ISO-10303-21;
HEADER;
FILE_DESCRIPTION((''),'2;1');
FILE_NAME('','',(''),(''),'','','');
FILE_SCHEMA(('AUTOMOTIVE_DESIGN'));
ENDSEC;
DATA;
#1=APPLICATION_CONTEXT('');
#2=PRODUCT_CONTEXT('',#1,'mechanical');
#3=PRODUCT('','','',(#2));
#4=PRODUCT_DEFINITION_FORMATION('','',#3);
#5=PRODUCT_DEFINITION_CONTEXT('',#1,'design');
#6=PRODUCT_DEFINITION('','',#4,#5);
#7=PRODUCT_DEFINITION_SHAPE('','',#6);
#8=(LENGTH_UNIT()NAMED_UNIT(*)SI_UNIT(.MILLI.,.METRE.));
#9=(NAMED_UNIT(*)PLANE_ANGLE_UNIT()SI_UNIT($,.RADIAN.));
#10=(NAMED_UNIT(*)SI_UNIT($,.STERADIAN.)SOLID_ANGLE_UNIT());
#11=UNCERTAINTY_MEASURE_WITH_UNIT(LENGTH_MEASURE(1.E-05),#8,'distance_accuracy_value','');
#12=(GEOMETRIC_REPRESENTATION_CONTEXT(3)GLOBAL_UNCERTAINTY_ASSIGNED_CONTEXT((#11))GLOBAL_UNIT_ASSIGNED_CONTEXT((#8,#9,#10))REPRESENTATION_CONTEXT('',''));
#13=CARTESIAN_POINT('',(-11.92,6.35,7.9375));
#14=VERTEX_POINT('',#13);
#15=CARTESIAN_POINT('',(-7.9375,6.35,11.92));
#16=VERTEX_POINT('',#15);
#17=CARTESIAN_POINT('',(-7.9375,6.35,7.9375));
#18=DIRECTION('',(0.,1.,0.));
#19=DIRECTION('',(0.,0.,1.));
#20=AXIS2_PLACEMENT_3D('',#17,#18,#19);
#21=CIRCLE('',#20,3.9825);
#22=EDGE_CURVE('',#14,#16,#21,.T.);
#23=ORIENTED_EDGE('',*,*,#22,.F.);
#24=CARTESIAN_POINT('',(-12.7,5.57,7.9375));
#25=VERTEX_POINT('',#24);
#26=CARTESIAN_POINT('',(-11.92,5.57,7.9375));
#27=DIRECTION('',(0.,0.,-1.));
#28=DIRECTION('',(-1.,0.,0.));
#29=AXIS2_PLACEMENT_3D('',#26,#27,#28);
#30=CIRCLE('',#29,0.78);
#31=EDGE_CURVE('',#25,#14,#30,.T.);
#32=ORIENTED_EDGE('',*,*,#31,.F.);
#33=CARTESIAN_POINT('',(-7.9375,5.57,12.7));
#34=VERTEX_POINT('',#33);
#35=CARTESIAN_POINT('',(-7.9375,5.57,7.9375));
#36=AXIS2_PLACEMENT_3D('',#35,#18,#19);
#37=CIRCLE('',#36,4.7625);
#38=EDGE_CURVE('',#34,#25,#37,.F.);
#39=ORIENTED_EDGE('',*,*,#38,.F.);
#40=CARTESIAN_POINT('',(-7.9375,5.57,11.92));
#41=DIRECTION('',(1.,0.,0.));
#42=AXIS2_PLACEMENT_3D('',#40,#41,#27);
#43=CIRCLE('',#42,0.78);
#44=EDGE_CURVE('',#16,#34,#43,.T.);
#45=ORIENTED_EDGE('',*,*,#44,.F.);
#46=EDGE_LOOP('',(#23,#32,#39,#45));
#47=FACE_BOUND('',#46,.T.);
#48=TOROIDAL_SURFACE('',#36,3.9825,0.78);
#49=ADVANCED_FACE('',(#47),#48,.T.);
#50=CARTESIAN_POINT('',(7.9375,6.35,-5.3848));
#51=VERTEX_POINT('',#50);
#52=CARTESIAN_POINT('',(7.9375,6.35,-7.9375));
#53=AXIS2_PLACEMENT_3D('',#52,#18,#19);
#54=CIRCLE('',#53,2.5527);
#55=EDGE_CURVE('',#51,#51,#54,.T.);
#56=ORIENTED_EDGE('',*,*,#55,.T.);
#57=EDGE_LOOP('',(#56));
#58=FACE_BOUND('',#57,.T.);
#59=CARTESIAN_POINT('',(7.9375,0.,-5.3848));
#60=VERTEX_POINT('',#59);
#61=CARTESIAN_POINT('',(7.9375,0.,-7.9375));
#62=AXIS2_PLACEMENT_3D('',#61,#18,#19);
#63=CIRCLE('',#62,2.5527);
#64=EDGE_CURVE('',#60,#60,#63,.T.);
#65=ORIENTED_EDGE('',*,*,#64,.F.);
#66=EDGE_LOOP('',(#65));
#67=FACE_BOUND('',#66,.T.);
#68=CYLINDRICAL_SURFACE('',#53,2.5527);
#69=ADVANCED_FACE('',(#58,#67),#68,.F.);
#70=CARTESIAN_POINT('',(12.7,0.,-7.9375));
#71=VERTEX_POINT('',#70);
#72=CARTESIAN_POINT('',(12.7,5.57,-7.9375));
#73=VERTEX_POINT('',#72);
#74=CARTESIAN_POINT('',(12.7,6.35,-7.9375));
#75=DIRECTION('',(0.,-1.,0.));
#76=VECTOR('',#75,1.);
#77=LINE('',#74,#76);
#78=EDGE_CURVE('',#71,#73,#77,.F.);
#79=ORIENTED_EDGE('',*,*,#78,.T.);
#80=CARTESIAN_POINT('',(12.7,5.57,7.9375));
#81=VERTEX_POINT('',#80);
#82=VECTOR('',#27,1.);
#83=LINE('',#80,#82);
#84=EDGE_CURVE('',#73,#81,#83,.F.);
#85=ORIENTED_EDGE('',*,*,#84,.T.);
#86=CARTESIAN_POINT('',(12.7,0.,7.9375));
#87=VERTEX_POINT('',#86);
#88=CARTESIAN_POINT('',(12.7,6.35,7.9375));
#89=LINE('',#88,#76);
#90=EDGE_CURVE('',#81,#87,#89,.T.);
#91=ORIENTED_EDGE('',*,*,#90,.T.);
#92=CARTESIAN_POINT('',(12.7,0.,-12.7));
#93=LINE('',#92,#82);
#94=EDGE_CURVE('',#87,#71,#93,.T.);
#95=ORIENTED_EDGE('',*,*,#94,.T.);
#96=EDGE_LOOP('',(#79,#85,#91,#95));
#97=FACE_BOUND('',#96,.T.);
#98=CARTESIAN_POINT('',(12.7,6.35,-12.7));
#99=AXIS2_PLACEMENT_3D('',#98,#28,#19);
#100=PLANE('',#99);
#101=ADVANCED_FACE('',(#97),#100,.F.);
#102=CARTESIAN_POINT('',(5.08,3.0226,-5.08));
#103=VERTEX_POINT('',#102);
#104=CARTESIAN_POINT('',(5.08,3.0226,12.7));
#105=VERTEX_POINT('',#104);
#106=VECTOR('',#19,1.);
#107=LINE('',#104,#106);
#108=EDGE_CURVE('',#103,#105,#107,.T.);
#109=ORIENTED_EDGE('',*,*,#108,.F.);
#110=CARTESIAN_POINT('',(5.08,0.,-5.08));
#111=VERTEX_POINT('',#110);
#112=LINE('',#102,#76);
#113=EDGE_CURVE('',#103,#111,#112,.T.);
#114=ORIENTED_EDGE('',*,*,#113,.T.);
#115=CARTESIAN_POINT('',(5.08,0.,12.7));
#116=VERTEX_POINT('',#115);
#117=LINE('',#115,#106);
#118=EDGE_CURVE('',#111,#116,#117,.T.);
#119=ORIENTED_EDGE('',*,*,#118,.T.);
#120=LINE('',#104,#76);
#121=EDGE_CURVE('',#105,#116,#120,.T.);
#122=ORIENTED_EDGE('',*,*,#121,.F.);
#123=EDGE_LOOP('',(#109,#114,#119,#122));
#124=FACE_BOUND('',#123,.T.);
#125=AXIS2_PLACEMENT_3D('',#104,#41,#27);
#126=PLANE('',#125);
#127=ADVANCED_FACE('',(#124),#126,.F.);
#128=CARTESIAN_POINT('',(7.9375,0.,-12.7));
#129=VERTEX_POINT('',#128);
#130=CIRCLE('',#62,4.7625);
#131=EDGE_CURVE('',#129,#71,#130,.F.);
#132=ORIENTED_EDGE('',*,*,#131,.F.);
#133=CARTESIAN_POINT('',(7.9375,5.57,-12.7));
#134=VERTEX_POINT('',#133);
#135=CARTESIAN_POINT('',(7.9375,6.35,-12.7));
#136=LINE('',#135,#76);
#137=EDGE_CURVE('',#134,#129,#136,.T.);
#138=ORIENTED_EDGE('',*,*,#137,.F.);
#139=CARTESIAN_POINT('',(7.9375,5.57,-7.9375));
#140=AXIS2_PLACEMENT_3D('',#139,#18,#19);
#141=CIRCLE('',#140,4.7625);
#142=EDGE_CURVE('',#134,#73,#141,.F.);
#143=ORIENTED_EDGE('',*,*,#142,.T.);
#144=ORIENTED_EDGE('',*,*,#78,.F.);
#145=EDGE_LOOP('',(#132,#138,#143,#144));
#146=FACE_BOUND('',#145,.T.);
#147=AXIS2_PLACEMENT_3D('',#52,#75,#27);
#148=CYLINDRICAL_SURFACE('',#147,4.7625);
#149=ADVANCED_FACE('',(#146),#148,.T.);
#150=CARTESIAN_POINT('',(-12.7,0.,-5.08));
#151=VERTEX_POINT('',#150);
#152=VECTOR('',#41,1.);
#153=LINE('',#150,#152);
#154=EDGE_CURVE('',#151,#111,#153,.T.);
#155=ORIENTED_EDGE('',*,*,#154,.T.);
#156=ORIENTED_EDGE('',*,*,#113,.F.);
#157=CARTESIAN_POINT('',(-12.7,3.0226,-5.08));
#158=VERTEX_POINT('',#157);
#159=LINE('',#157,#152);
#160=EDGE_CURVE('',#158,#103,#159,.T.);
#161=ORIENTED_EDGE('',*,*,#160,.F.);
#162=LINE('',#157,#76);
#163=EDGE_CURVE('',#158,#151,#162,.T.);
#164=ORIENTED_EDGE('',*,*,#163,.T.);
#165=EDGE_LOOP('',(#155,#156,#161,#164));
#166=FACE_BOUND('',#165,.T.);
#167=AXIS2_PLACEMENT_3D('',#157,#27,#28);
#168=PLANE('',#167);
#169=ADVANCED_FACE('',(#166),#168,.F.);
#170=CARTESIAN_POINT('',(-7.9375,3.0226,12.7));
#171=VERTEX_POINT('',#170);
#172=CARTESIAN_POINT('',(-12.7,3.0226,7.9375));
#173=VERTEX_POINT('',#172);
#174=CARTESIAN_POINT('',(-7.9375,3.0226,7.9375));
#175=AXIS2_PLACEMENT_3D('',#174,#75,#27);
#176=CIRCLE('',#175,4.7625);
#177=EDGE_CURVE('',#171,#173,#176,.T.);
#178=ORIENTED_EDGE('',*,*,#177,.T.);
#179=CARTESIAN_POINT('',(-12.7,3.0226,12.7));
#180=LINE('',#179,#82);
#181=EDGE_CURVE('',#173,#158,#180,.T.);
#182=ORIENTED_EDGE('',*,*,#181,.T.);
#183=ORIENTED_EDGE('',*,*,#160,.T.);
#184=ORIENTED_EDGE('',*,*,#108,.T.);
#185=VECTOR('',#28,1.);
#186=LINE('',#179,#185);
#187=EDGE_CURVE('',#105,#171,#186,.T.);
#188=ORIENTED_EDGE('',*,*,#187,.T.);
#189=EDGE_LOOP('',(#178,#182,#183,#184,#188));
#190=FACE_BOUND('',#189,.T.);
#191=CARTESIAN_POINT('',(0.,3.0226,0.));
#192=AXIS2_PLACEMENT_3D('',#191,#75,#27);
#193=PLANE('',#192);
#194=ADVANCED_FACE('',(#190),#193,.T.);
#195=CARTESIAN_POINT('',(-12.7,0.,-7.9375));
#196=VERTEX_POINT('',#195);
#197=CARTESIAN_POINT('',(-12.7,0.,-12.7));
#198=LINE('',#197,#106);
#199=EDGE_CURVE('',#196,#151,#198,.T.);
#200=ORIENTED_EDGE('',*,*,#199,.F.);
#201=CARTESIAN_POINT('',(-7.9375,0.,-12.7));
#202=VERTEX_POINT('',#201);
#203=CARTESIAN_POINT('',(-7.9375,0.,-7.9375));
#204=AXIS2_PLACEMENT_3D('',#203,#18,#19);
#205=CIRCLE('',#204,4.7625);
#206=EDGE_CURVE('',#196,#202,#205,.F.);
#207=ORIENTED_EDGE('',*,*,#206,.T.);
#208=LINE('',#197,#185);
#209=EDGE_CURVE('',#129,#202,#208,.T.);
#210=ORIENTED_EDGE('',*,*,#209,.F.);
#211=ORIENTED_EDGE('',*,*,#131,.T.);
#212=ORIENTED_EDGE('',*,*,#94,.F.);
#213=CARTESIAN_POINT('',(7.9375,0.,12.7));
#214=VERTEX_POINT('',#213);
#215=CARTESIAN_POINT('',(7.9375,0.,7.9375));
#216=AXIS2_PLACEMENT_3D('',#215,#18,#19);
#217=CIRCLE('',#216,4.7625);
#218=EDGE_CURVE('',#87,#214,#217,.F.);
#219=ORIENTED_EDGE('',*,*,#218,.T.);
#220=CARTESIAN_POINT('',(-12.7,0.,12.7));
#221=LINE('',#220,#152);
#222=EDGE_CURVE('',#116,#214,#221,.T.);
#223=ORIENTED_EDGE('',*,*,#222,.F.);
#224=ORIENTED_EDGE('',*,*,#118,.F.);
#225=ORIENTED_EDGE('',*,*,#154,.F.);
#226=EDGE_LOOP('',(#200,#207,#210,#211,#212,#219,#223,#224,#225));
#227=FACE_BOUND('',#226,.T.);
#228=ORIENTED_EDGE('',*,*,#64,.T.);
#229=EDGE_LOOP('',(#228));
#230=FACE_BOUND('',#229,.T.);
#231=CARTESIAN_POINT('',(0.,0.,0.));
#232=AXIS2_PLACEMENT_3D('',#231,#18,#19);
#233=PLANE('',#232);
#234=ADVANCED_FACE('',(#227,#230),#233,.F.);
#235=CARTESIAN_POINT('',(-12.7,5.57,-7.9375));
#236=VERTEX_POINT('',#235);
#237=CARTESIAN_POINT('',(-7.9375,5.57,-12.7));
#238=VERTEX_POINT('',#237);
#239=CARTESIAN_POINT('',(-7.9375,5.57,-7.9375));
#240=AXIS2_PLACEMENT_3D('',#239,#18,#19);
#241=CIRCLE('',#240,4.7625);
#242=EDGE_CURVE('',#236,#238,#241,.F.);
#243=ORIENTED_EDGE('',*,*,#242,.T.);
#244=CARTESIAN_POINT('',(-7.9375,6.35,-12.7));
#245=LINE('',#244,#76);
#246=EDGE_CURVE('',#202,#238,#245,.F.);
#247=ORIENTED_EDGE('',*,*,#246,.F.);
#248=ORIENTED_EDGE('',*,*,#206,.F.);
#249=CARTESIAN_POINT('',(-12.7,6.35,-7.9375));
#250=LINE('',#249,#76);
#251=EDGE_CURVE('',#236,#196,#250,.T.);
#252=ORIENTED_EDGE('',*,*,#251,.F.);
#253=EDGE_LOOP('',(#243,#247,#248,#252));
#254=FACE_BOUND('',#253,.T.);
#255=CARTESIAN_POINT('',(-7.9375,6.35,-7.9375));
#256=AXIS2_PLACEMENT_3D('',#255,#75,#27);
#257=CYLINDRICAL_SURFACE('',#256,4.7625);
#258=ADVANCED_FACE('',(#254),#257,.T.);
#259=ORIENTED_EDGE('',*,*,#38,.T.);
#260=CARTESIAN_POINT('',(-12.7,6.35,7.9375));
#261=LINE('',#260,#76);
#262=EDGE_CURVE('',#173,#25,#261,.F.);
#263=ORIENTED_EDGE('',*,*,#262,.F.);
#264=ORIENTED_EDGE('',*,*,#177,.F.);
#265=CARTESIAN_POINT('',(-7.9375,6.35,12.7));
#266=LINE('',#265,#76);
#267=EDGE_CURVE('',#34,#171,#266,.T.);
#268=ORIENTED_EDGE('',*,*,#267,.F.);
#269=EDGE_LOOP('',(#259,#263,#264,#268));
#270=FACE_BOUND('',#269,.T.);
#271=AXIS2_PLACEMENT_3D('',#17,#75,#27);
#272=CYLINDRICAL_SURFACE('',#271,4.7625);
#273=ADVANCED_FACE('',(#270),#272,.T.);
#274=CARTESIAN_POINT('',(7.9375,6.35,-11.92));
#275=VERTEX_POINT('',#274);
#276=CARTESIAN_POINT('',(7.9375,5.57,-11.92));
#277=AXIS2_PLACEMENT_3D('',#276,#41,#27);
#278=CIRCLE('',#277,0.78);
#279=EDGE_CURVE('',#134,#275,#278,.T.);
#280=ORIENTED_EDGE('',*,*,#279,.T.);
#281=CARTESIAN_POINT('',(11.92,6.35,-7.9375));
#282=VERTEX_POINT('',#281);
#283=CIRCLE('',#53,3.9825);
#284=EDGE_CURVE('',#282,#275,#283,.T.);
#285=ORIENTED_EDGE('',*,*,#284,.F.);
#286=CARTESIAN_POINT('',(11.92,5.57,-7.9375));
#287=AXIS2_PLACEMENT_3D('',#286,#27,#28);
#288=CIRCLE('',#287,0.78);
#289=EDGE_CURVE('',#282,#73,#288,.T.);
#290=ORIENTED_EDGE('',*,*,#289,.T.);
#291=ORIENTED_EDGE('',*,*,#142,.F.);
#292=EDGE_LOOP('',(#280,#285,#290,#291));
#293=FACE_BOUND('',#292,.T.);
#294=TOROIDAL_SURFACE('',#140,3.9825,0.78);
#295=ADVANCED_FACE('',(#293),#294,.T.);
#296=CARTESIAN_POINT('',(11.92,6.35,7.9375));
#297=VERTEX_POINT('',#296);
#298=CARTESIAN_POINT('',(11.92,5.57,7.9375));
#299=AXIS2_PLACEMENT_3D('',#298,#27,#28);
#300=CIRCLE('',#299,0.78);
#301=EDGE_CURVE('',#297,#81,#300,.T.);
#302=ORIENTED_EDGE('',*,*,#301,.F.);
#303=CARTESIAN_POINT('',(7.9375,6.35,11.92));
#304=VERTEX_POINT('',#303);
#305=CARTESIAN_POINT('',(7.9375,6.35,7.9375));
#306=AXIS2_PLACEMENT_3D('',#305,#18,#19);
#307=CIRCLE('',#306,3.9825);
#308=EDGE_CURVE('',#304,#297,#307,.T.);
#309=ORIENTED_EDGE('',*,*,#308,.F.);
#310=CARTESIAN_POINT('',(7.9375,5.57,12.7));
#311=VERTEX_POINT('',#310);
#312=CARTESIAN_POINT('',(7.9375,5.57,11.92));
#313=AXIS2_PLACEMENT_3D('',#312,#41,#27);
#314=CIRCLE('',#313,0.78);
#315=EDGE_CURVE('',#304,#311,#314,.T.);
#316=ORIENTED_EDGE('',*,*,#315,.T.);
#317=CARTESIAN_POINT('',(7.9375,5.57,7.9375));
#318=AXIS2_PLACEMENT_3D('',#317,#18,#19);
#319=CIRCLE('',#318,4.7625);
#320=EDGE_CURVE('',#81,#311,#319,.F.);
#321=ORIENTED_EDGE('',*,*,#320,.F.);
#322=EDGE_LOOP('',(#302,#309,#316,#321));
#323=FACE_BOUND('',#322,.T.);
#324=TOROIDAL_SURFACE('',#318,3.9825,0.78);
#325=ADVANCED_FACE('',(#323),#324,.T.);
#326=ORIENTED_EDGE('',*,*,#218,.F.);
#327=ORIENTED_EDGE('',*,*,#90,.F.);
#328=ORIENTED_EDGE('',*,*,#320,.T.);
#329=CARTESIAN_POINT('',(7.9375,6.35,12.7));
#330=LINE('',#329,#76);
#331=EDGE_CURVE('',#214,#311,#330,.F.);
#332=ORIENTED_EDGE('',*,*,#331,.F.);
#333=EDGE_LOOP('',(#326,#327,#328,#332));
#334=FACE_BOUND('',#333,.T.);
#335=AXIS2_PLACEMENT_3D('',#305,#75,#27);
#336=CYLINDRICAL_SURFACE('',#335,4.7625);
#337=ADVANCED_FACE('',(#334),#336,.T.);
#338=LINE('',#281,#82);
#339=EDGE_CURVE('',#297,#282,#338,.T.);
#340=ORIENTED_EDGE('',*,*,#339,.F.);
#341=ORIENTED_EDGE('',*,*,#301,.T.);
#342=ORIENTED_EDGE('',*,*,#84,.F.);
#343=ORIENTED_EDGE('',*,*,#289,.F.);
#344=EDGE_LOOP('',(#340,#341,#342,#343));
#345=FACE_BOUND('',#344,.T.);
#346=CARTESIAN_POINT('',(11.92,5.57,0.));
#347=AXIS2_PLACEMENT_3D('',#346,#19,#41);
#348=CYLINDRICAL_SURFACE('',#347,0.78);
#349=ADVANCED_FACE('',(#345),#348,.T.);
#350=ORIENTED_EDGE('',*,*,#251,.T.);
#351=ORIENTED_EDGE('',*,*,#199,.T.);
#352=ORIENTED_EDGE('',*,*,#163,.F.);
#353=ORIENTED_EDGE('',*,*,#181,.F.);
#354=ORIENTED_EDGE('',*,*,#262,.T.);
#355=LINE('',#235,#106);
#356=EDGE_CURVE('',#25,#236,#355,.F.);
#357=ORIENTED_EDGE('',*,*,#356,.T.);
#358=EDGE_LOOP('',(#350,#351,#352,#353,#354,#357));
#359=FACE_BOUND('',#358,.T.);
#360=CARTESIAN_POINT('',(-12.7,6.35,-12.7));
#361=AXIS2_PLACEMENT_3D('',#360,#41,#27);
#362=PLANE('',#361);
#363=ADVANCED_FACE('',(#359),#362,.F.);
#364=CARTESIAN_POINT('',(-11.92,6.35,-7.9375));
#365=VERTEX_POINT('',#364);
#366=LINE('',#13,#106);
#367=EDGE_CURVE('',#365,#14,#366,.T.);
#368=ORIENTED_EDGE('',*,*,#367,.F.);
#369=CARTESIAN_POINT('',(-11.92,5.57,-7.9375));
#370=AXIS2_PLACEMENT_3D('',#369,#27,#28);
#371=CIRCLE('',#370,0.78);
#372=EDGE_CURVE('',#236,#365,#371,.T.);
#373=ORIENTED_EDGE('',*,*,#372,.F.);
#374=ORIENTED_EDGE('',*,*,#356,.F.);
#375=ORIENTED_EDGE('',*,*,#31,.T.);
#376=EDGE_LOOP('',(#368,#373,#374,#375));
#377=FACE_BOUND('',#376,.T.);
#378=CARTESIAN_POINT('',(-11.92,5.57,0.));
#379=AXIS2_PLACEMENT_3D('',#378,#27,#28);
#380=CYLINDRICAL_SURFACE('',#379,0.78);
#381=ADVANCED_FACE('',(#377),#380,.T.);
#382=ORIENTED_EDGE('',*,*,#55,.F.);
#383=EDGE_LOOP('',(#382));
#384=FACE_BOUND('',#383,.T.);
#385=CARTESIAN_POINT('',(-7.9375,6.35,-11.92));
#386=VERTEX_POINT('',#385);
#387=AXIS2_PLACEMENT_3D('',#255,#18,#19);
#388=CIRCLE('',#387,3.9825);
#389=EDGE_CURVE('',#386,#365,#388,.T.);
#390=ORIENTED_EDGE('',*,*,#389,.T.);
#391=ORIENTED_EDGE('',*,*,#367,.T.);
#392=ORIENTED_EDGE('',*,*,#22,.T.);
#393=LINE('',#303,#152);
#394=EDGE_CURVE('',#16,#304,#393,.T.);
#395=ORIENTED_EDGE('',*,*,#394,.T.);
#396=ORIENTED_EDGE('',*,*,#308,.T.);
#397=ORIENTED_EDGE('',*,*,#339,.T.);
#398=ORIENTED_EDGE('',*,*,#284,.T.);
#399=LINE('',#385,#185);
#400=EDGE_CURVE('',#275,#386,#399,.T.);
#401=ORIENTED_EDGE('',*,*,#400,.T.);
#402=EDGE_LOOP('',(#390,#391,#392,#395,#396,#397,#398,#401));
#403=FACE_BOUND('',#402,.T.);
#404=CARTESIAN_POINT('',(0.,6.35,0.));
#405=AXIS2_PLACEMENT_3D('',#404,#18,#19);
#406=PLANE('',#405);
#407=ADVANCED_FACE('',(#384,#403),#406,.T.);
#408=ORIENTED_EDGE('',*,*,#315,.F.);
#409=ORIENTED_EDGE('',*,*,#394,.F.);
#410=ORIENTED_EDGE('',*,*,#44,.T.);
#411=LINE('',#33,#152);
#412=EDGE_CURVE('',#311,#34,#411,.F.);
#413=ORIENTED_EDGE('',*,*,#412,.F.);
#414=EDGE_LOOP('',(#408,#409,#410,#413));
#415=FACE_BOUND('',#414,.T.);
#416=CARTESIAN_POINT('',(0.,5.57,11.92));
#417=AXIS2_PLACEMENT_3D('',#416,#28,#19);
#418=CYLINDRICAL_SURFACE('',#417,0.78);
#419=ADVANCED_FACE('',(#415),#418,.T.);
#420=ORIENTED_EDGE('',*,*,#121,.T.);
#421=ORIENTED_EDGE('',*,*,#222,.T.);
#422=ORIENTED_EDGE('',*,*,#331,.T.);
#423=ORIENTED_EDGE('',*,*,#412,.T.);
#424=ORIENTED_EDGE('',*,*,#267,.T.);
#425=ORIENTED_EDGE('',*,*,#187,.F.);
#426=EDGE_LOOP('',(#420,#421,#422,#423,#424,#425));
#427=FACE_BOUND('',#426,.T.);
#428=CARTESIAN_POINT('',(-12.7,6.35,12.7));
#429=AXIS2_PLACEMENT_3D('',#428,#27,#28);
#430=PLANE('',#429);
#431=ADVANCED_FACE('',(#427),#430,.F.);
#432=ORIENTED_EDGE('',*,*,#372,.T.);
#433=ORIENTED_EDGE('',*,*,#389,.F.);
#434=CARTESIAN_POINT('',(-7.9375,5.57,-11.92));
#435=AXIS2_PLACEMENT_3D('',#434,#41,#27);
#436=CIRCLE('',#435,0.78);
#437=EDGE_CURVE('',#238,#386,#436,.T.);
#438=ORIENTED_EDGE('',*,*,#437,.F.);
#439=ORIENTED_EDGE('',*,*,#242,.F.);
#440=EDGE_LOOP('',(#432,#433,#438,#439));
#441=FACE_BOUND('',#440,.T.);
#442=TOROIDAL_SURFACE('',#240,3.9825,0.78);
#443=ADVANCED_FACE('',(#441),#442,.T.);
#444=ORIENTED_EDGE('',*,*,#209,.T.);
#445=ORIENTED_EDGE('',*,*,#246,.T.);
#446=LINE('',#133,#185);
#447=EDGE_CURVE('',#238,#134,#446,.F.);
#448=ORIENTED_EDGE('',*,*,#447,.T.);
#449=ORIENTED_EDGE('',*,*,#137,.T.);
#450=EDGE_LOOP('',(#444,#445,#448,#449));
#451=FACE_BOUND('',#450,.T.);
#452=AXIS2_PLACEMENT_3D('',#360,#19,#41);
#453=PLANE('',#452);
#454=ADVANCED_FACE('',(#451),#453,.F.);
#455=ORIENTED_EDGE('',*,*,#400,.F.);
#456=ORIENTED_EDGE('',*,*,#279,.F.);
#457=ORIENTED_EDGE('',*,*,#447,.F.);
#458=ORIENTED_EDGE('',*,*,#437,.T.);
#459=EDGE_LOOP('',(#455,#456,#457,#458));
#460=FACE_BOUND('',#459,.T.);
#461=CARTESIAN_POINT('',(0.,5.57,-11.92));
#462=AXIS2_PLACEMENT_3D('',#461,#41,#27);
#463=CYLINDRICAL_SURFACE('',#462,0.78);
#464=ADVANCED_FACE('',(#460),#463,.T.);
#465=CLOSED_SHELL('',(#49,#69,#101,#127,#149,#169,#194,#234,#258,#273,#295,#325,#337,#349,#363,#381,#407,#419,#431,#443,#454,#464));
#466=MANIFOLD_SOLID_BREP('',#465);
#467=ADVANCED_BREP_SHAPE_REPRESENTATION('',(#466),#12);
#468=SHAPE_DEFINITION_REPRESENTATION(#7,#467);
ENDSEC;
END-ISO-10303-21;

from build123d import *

# Parameters (mm, degrees)
SKETCH1_W                  = 25.4
SKETCH1_H                  = 25.4
BOSS_EXTRUDE1_DEPTH        = 6.35
SKETCH2_W                  = 17.78
SKETCH2_H                  = 17.78
CUT_EXTRUDE1_DEPTH         = 3.0226
FILLET1_R                  = 4.7625
F_10_CLEARANCE_HOLE1_D     = 5.1054
F_10_CLEARANCE_HOLE1_DEPTH = 10.668
F_10_CLEARANCE_HOLE1_TIP   = 1.533816902
FILLET2_R                  = 0.78


with BuildPart() as part:
    # Sketch1 → Boss-Extrude1 (new body)
    with BuildSketch(Plane(origin=(0, 0, 0), x_dir=(1, 0, 0), z_dir=(0, 1, 0))):
        Rectangle(SKETCH1_W, SKETCH1_H)
    extrude(amount=BOSS_EXTRUDE1_DEPTH)

    # Sketch2 → Cut-Extrude1 (cut)
    with BuildSketch(Plane.XZ):
        with Locations((-3.81, 3.81)):
            Rectangle(SKETCH2_W, SKETCH2_H)
    extrude(amount=-CUT_EXTRUDE1_DEPTH, mode=Mode.SUBTRACT)

    # Fillet1
    fillet1_edges = [part.edges().sort_by_distance(p)[0] for p in [
        (12.7, 3.175, 12.7),
        (-12.7, 4.6863, 12.7),
        (-12.7, 3.175, -12.7),
        (12.7, 3.175, -12.7),
    ]]
    fillet(fillet1_edges, radius=FILLET1_R)

    # #10 Clearance Hole1
    with Locations(Plane(origin=(0, 6.35, 0), x_dir=(1, 0, 0), z_dir=(0, 1, 0))):
        with Locations((7.9375, 7.9375)):
            Hole(F_10_CLEARANCE_HOLE1_D / 2, depth=F_10_CLEARANCE_HOLE1_DEPTH)
            with Locations((0, 0, -(F_10_CLEARANCE_HOLE1_DEPTH + F_10_CLEARANCE_HOLE1_TIP / 2))):  # 118° drill point
                Cone(0, F_10_CLEARANCE_HOLE1_D / 2, F_10_CLEARANCE_HOLE1_TIP, mode=Mode.SUBTRACT)

    # Fillet2
    fillet2_edges = [part.edges().sort_by_distance(p)[0] for p in [
        (0, 6.35, 12.7),
        (-12.7, 6.35, 0),
        (12.7, 6.35, 0),
        (0, 6.35, -12.7),
        (11.305096045, 6.35, 11.305096045),
        (11.305096045, 6.35, -11.305096045),
        (-11.305096045, 6.35, -11.305096045),
        (-11.305096045, 6.35, 11.305096045),
    ]]
    fillet(fillet2_edges, radius=FILLET2_R)


solid = part.part
